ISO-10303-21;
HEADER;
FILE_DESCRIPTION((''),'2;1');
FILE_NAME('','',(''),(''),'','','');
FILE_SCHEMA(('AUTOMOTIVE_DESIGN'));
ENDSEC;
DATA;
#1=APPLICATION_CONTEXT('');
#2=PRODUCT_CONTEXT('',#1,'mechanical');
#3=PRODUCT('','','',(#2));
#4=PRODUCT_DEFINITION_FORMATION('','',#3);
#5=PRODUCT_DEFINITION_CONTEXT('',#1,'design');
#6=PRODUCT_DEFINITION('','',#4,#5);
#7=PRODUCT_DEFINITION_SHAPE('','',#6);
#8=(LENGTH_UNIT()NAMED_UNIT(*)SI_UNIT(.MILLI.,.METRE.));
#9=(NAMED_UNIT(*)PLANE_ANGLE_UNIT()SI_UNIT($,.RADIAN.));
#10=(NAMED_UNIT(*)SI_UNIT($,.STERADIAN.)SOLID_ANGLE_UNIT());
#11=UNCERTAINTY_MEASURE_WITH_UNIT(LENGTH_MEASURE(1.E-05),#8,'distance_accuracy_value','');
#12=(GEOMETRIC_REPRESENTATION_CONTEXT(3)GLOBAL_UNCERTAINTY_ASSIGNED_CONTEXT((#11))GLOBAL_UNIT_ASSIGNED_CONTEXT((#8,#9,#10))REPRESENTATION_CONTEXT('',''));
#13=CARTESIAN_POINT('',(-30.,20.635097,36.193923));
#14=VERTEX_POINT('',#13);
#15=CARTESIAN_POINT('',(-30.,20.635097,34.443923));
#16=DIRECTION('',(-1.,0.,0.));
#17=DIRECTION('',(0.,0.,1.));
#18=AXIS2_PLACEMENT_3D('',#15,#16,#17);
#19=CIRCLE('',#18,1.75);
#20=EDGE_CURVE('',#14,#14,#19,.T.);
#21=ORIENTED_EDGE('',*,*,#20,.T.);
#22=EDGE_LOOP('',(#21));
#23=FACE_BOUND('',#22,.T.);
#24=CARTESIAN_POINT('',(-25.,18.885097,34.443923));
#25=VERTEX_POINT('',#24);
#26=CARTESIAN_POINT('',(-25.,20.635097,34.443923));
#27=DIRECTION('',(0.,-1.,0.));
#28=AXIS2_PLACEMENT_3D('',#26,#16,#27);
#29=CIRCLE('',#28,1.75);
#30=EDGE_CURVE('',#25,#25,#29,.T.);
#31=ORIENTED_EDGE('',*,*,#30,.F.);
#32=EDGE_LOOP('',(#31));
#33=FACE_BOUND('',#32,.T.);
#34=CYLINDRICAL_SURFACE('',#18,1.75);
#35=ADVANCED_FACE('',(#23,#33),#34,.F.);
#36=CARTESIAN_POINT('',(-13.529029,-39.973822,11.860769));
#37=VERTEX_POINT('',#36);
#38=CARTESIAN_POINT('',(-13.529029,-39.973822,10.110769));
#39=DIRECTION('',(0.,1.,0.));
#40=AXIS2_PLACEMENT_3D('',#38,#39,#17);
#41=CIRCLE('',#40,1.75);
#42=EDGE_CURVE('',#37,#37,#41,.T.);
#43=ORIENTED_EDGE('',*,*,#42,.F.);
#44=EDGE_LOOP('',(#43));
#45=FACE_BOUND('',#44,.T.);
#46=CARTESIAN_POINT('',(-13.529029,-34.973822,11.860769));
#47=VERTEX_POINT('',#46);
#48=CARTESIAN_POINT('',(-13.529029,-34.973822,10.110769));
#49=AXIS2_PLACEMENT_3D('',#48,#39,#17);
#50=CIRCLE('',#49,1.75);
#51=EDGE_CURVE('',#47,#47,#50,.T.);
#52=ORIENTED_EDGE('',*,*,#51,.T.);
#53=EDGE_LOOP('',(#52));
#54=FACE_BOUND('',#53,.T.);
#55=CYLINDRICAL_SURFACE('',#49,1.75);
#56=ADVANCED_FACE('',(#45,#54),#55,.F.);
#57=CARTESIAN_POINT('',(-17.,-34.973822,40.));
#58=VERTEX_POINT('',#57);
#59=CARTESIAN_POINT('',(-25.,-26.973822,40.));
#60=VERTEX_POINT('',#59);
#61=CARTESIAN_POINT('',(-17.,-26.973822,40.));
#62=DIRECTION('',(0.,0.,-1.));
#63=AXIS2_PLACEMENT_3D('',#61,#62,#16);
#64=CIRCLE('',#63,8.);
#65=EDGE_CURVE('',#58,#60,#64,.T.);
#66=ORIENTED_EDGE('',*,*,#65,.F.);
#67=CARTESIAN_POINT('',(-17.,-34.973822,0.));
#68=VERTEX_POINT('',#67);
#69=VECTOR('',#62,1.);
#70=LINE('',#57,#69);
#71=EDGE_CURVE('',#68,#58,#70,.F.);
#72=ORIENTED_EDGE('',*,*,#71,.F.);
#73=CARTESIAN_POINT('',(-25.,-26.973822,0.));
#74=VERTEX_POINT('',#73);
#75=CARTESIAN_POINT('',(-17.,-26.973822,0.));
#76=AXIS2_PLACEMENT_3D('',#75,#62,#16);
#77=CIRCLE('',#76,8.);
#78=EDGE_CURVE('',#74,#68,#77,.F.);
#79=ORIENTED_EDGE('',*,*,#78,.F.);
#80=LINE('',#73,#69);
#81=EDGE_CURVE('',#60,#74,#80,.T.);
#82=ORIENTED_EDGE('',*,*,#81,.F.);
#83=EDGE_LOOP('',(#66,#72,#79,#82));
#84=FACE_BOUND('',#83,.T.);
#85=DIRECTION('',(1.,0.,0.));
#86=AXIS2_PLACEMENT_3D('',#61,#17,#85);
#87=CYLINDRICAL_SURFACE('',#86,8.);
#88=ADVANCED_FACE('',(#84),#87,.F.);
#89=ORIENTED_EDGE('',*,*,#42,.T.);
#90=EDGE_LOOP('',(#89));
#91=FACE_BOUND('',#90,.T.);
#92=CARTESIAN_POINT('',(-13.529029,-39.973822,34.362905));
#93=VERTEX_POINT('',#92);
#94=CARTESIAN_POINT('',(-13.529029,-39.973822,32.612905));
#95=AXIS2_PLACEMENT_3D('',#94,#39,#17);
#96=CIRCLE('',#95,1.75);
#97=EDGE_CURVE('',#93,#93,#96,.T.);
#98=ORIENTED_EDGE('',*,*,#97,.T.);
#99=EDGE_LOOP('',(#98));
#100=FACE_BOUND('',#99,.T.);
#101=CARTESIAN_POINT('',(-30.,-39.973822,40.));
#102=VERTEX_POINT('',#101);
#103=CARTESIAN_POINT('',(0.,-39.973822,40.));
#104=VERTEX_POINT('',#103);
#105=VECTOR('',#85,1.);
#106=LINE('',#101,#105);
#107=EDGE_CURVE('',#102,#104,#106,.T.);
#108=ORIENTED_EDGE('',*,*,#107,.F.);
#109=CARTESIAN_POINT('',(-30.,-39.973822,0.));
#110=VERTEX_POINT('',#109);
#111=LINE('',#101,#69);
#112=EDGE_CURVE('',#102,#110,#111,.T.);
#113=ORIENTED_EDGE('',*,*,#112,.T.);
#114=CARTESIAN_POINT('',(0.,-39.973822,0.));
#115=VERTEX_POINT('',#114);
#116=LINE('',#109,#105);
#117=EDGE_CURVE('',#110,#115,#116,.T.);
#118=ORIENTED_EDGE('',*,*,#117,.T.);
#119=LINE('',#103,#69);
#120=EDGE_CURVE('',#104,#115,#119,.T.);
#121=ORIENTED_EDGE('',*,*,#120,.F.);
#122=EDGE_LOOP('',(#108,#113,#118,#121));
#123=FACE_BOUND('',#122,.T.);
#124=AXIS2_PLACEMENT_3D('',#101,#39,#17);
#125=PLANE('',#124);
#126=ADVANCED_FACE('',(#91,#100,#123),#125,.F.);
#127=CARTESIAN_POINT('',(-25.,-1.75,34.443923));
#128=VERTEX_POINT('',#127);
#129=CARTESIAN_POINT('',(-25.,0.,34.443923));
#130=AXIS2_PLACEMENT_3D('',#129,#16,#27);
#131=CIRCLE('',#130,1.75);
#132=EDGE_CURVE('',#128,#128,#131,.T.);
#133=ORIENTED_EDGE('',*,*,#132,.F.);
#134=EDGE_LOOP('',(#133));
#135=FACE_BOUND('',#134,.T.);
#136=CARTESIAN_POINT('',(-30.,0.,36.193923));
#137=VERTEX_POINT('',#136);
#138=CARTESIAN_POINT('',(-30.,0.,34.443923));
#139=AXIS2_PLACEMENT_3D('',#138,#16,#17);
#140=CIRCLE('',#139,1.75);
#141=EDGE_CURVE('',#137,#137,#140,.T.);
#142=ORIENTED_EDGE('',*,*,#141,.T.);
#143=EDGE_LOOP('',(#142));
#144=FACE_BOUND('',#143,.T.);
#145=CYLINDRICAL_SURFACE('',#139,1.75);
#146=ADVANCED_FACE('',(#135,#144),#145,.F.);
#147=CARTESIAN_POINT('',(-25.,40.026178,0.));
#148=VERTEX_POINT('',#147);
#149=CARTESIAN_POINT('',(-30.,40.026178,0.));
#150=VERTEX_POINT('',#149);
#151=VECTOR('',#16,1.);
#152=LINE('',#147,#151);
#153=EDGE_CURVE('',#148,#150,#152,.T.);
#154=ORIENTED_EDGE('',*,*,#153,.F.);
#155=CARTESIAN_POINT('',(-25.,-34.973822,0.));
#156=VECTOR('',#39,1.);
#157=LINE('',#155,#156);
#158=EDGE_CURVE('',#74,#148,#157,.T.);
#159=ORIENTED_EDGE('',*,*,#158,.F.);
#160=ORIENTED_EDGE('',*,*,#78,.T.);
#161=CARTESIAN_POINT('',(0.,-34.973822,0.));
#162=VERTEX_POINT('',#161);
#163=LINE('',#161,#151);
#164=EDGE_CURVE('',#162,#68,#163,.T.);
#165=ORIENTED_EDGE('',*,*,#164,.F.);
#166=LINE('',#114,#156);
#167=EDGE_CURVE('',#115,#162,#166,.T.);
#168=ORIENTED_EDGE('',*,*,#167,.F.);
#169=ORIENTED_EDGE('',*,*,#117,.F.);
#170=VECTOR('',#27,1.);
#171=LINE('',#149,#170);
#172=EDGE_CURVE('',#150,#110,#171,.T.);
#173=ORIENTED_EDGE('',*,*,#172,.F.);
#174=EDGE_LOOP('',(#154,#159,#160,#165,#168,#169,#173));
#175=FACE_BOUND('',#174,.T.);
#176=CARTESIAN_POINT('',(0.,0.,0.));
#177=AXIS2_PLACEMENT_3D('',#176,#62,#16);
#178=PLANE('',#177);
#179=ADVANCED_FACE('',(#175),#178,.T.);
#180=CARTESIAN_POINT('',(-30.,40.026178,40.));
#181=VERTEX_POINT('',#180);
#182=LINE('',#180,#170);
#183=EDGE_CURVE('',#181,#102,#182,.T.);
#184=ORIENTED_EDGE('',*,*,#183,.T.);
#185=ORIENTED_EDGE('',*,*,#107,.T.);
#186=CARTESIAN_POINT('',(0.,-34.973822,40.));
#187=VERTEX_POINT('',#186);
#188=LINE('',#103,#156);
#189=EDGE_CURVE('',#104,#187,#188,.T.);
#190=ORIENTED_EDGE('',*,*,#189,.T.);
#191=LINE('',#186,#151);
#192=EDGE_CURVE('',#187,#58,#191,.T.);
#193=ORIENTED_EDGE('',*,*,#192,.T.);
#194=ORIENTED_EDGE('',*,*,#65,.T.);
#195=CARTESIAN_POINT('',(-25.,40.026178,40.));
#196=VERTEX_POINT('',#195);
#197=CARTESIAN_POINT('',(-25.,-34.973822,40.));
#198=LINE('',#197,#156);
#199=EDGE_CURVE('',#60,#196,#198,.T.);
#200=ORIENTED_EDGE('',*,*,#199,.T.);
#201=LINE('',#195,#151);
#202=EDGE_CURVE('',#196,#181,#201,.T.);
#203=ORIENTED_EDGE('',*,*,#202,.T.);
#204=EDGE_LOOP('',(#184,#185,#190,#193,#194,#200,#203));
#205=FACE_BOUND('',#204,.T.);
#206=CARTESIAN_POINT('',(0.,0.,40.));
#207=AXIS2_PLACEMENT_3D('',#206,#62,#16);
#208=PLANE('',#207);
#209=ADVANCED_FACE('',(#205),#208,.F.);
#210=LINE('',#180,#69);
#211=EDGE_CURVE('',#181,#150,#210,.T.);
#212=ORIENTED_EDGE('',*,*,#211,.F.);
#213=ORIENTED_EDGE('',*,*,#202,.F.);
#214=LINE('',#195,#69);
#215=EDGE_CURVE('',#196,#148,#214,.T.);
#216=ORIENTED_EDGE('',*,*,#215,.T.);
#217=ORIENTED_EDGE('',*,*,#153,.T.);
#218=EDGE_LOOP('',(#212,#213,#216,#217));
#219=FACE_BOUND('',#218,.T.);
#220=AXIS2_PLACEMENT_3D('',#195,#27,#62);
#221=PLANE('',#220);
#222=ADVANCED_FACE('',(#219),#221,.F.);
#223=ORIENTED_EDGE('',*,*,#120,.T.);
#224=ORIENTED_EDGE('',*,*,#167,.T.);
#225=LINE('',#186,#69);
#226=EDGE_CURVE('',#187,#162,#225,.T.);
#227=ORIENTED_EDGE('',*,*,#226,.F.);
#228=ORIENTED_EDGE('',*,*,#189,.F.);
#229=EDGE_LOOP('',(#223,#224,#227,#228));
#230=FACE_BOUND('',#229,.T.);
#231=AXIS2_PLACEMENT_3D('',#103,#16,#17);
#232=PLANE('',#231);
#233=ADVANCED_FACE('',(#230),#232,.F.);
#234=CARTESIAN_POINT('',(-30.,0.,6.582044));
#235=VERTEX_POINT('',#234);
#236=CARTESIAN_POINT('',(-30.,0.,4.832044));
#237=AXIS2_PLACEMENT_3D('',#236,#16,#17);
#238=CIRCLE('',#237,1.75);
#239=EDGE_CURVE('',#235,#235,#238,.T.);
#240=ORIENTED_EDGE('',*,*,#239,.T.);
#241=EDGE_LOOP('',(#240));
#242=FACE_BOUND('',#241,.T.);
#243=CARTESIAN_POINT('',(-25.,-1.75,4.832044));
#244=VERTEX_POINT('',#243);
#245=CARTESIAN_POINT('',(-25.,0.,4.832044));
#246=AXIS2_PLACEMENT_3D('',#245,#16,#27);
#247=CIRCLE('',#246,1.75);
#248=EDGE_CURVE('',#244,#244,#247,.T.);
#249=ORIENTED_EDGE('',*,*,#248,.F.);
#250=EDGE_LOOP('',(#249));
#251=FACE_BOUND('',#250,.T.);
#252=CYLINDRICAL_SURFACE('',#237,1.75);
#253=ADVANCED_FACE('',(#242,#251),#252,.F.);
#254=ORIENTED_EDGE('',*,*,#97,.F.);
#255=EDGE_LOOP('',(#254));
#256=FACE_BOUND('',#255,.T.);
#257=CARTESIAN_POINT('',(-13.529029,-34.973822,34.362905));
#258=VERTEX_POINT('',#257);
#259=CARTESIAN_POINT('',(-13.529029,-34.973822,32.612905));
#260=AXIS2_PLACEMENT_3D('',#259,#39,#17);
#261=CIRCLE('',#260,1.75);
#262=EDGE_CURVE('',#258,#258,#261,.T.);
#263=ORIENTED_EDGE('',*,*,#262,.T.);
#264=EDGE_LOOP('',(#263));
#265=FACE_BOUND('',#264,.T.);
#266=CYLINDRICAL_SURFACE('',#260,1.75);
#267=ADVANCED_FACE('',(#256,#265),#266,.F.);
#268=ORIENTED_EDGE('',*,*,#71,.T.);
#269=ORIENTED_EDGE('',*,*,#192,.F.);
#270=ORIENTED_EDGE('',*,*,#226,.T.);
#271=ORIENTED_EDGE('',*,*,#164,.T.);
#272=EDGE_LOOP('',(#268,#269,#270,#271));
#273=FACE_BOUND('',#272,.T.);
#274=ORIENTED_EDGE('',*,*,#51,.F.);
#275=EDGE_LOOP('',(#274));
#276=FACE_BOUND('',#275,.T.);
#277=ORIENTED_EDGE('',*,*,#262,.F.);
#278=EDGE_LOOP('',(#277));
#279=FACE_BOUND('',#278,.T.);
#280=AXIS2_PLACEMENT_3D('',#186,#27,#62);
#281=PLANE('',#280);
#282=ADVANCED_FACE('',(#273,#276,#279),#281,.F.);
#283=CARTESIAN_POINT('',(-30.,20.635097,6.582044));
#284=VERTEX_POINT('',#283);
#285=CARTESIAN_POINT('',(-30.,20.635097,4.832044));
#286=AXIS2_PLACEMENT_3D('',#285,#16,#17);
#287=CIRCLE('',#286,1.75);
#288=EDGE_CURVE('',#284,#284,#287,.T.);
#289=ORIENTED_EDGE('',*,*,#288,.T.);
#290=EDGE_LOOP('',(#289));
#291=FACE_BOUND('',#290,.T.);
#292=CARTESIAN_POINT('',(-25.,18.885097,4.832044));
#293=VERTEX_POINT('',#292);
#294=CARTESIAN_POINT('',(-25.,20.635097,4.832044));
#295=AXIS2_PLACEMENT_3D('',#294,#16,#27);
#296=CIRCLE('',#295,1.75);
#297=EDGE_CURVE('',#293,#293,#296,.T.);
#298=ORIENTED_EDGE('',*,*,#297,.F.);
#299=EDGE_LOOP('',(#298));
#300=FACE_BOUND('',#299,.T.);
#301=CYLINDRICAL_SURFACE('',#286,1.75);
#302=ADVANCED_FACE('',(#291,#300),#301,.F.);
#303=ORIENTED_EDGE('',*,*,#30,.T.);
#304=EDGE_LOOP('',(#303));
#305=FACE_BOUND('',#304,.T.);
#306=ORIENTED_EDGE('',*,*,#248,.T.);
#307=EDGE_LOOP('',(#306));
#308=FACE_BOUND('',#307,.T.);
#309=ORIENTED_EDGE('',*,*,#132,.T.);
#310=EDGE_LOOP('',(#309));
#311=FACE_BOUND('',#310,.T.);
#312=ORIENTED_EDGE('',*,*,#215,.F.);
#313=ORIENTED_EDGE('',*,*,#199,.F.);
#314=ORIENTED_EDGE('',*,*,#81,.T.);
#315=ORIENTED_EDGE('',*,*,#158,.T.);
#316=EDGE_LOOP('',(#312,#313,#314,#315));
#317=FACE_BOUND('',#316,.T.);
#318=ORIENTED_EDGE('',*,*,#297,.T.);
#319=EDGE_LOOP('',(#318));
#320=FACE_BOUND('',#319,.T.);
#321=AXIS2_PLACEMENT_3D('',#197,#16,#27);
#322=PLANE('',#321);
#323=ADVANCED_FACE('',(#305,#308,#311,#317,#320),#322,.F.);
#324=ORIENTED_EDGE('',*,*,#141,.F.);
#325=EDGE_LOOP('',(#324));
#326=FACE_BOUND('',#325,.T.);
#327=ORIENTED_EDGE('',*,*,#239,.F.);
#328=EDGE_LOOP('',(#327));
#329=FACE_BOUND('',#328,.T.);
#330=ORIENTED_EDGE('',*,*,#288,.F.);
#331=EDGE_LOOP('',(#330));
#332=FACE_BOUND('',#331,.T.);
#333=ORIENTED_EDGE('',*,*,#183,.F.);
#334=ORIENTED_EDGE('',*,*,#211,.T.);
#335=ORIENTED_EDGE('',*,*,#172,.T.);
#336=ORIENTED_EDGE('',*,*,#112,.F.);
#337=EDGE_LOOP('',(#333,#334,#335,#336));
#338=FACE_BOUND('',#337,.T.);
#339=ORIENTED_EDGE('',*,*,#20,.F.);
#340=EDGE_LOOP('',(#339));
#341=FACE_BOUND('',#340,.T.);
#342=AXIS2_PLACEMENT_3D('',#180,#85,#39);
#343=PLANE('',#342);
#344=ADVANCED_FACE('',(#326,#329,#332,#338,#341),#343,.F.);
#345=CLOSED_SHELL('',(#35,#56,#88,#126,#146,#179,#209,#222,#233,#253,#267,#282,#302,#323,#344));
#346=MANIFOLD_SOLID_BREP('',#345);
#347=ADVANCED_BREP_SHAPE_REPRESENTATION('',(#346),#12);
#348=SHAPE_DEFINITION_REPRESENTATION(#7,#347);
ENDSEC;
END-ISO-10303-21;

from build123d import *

# Parameters (mm, degrees)
RESSALTO_EXTRUS_O1_DEPTH                   = 40
BROCA_DE_ROSQUEAR_PARA_HELICOIDE_M31_D     = 3.5
BROCA_DE_ROSQUEAR_PARA_HELICOIDE_M31_DEPTH = 10
BROCA_DE_ROSQUEAR_PARA_HELICOIDE_M31_TIP   = 1.051506083
BROCA_DE_ROSQUEAR_PARA_HELICOIDE_M32_D     = 3.5
BROCA_DE_ROSQUEAR_PARA_HELICOIDE_M32_DEPTH = 10
BROCA_DE_ROSQUEAR_PARA_HELICOIDE_M32_TIP   = 1.051506083
FILETE1_R                                  = 8


with BuildPart() as part:
    # Esboço1 → Ressalto-extrusão1 (new body)
    with BuildSketch(Plane.XY):
        Polygon((-30, 40.02617801), (-30, -39.97382199), (0, -39.97382199), (0, -34.97382199), (-25, -34.97382199), (-25, 40.02617801), align=None)
    extrude(amount=RESSALTO_EXTRUS_O1_DEPTH)

    # Broca de rosquear para helicoide M31
    with Locations(Plane(origin=(0, -34.97382199, 0), x_dir=(1, 0, 0), z_dir=(0, 1, 0))):
        with Locations((-13.529029312, -32.612904954), (-13.529029312, -10.11076891)):
            Hole(BROCA_DE_ROSQUEAR_PARA_HELICOIDE_M31_D / 2, depth=BROCA_DE_ROSQUEAR_PARA_HELICOIDE_M31_DEPTH)
            with Locations((0, 0, -(BROCA_DE_ROSQUEAR_PARA_HELICOIDE_M31_DEPTH + BROCA_DE_ROSQUEAR_PARA_HELICOIDE_M31_TIP / 2))):  # 118° drill point
                Cone(0, BROCA_DE_ROSQUEAR_PARA_HELICOIDE_M31_D / 2, BROCA_DE_ROSQUEAR_PARA_HELICOIDE_M31_TIP, mode=Mode.SUBTRACT)

    # Broca de rosquear para helicoide M32
    with Locations(Plane.ZY.offset(30)):
        with Locations((4.832044367, 20.635096837), (34.443923193, 20.635096837), (34.443923193, 0), (4.832044367, 0)):
            Hole(BROCA_DE_ROSQUEAR_PARA_HELICOIDE_M32_D / 2, depth=BROCA_DE_ROSQUEAR_PARA_HELICOIDE_M32_DEPTH)
            with Locations((0, 0, -(BROCA_DE_ROSQUEAR_PARA_HELICOIDE_M32_DEPTH + BROCA_DE_ROSQUEAR_PARA_HELICOIDE_M32_TIP / 2))):  # 118° drill point
                Cone(0, BROCA_DE_ROSQUEAR_PARA_HELICOIDE_M32_D / 2, BROCA_DE_ROSQUEAR_PARA_HELICOIDE_M32_TIP, mode=Mode.SUBTRACT)

    # Filete1
    filete1_edges = [part.edges().sort_by_distance(p)[0] for p in [
        (-25, -34.97382199, 20),
    ]]
    fillet(filete1_edges, radius=FILETE1_R)


solid = part.part
